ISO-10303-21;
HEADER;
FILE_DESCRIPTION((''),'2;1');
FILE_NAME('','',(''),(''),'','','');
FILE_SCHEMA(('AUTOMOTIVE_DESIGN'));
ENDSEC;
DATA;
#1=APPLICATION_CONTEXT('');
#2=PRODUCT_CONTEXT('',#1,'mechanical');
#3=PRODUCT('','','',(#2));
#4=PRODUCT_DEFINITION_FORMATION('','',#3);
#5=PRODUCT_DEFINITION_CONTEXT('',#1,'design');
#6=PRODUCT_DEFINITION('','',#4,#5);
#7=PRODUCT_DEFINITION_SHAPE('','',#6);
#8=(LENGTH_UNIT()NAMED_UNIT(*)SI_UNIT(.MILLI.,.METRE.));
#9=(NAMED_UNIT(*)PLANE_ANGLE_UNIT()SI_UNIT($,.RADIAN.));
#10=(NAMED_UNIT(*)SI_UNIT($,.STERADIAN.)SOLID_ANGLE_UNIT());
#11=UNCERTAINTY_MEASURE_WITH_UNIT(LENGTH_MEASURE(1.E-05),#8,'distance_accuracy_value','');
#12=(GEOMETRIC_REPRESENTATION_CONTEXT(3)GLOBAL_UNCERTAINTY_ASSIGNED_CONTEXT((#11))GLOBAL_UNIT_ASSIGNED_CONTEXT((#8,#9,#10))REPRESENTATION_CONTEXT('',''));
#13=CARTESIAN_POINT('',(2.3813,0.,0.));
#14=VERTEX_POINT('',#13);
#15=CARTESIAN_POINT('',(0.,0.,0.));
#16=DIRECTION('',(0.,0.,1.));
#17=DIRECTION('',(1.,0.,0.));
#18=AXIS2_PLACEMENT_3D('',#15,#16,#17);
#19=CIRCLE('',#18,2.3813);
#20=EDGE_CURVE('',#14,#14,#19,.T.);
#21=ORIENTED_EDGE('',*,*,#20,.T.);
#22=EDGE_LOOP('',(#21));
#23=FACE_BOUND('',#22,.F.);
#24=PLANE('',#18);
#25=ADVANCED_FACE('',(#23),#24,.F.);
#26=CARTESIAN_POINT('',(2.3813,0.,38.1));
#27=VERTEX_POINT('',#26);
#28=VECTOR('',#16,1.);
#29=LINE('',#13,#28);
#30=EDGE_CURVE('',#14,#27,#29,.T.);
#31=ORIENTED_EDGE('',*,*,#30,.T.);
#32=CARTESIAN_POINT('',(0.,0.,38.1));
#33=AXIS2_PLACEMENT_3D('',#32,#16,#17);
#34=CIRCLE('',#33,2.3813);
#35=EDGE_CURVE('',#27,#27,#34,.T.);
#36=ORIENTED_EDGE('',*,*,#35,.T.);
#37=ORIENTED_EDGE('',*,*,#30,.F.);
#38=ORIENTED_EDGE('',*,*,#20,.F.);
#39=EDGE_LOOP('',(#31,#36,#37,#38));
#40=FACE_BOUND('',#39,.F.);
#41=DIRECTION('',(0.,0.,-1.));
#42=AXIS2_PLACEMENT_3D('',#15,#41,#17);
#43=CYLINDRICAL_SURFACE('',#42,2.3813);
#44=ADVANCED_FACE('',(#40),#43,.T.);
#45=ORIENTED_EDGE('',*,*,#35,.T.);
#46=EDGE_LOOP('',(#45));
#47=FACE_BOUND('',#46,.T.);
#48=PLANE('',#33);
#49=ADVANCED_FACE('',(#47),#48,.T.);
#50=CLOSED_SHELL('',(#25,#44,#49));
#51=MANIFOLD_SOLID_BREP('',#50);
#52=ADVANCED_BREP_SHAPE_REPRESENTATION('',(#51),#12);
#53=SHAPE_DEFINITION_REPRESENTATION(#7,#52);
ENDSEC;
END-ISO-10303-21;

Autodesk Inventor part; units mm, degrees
ref_plane "YZ Plane" through (0, 0, 0) normal (1, 0, 0) x (0, 1, 0)
ref_plane "XZ Plane" through (0, 0, 0) normal (0, 1, 0) x (-1, 0, 0)
ref_plane "XY Plane" through (0, 0, 0) normal (0, 0, 1) x (1, 0, 0)
sketch "Sketch1" plane through (0, 0, 0) normal (0, 0, 1) x (1, 0, 0)
  circle A0 centre (0, 0) radius 2.3813
  dimension "d0" = 4.7625
extrude "Extrusion1" add sketch "Sketch1" along normal blind 38.1
properties part number "1.5 inch shaft" material "Aluminum 6061"
